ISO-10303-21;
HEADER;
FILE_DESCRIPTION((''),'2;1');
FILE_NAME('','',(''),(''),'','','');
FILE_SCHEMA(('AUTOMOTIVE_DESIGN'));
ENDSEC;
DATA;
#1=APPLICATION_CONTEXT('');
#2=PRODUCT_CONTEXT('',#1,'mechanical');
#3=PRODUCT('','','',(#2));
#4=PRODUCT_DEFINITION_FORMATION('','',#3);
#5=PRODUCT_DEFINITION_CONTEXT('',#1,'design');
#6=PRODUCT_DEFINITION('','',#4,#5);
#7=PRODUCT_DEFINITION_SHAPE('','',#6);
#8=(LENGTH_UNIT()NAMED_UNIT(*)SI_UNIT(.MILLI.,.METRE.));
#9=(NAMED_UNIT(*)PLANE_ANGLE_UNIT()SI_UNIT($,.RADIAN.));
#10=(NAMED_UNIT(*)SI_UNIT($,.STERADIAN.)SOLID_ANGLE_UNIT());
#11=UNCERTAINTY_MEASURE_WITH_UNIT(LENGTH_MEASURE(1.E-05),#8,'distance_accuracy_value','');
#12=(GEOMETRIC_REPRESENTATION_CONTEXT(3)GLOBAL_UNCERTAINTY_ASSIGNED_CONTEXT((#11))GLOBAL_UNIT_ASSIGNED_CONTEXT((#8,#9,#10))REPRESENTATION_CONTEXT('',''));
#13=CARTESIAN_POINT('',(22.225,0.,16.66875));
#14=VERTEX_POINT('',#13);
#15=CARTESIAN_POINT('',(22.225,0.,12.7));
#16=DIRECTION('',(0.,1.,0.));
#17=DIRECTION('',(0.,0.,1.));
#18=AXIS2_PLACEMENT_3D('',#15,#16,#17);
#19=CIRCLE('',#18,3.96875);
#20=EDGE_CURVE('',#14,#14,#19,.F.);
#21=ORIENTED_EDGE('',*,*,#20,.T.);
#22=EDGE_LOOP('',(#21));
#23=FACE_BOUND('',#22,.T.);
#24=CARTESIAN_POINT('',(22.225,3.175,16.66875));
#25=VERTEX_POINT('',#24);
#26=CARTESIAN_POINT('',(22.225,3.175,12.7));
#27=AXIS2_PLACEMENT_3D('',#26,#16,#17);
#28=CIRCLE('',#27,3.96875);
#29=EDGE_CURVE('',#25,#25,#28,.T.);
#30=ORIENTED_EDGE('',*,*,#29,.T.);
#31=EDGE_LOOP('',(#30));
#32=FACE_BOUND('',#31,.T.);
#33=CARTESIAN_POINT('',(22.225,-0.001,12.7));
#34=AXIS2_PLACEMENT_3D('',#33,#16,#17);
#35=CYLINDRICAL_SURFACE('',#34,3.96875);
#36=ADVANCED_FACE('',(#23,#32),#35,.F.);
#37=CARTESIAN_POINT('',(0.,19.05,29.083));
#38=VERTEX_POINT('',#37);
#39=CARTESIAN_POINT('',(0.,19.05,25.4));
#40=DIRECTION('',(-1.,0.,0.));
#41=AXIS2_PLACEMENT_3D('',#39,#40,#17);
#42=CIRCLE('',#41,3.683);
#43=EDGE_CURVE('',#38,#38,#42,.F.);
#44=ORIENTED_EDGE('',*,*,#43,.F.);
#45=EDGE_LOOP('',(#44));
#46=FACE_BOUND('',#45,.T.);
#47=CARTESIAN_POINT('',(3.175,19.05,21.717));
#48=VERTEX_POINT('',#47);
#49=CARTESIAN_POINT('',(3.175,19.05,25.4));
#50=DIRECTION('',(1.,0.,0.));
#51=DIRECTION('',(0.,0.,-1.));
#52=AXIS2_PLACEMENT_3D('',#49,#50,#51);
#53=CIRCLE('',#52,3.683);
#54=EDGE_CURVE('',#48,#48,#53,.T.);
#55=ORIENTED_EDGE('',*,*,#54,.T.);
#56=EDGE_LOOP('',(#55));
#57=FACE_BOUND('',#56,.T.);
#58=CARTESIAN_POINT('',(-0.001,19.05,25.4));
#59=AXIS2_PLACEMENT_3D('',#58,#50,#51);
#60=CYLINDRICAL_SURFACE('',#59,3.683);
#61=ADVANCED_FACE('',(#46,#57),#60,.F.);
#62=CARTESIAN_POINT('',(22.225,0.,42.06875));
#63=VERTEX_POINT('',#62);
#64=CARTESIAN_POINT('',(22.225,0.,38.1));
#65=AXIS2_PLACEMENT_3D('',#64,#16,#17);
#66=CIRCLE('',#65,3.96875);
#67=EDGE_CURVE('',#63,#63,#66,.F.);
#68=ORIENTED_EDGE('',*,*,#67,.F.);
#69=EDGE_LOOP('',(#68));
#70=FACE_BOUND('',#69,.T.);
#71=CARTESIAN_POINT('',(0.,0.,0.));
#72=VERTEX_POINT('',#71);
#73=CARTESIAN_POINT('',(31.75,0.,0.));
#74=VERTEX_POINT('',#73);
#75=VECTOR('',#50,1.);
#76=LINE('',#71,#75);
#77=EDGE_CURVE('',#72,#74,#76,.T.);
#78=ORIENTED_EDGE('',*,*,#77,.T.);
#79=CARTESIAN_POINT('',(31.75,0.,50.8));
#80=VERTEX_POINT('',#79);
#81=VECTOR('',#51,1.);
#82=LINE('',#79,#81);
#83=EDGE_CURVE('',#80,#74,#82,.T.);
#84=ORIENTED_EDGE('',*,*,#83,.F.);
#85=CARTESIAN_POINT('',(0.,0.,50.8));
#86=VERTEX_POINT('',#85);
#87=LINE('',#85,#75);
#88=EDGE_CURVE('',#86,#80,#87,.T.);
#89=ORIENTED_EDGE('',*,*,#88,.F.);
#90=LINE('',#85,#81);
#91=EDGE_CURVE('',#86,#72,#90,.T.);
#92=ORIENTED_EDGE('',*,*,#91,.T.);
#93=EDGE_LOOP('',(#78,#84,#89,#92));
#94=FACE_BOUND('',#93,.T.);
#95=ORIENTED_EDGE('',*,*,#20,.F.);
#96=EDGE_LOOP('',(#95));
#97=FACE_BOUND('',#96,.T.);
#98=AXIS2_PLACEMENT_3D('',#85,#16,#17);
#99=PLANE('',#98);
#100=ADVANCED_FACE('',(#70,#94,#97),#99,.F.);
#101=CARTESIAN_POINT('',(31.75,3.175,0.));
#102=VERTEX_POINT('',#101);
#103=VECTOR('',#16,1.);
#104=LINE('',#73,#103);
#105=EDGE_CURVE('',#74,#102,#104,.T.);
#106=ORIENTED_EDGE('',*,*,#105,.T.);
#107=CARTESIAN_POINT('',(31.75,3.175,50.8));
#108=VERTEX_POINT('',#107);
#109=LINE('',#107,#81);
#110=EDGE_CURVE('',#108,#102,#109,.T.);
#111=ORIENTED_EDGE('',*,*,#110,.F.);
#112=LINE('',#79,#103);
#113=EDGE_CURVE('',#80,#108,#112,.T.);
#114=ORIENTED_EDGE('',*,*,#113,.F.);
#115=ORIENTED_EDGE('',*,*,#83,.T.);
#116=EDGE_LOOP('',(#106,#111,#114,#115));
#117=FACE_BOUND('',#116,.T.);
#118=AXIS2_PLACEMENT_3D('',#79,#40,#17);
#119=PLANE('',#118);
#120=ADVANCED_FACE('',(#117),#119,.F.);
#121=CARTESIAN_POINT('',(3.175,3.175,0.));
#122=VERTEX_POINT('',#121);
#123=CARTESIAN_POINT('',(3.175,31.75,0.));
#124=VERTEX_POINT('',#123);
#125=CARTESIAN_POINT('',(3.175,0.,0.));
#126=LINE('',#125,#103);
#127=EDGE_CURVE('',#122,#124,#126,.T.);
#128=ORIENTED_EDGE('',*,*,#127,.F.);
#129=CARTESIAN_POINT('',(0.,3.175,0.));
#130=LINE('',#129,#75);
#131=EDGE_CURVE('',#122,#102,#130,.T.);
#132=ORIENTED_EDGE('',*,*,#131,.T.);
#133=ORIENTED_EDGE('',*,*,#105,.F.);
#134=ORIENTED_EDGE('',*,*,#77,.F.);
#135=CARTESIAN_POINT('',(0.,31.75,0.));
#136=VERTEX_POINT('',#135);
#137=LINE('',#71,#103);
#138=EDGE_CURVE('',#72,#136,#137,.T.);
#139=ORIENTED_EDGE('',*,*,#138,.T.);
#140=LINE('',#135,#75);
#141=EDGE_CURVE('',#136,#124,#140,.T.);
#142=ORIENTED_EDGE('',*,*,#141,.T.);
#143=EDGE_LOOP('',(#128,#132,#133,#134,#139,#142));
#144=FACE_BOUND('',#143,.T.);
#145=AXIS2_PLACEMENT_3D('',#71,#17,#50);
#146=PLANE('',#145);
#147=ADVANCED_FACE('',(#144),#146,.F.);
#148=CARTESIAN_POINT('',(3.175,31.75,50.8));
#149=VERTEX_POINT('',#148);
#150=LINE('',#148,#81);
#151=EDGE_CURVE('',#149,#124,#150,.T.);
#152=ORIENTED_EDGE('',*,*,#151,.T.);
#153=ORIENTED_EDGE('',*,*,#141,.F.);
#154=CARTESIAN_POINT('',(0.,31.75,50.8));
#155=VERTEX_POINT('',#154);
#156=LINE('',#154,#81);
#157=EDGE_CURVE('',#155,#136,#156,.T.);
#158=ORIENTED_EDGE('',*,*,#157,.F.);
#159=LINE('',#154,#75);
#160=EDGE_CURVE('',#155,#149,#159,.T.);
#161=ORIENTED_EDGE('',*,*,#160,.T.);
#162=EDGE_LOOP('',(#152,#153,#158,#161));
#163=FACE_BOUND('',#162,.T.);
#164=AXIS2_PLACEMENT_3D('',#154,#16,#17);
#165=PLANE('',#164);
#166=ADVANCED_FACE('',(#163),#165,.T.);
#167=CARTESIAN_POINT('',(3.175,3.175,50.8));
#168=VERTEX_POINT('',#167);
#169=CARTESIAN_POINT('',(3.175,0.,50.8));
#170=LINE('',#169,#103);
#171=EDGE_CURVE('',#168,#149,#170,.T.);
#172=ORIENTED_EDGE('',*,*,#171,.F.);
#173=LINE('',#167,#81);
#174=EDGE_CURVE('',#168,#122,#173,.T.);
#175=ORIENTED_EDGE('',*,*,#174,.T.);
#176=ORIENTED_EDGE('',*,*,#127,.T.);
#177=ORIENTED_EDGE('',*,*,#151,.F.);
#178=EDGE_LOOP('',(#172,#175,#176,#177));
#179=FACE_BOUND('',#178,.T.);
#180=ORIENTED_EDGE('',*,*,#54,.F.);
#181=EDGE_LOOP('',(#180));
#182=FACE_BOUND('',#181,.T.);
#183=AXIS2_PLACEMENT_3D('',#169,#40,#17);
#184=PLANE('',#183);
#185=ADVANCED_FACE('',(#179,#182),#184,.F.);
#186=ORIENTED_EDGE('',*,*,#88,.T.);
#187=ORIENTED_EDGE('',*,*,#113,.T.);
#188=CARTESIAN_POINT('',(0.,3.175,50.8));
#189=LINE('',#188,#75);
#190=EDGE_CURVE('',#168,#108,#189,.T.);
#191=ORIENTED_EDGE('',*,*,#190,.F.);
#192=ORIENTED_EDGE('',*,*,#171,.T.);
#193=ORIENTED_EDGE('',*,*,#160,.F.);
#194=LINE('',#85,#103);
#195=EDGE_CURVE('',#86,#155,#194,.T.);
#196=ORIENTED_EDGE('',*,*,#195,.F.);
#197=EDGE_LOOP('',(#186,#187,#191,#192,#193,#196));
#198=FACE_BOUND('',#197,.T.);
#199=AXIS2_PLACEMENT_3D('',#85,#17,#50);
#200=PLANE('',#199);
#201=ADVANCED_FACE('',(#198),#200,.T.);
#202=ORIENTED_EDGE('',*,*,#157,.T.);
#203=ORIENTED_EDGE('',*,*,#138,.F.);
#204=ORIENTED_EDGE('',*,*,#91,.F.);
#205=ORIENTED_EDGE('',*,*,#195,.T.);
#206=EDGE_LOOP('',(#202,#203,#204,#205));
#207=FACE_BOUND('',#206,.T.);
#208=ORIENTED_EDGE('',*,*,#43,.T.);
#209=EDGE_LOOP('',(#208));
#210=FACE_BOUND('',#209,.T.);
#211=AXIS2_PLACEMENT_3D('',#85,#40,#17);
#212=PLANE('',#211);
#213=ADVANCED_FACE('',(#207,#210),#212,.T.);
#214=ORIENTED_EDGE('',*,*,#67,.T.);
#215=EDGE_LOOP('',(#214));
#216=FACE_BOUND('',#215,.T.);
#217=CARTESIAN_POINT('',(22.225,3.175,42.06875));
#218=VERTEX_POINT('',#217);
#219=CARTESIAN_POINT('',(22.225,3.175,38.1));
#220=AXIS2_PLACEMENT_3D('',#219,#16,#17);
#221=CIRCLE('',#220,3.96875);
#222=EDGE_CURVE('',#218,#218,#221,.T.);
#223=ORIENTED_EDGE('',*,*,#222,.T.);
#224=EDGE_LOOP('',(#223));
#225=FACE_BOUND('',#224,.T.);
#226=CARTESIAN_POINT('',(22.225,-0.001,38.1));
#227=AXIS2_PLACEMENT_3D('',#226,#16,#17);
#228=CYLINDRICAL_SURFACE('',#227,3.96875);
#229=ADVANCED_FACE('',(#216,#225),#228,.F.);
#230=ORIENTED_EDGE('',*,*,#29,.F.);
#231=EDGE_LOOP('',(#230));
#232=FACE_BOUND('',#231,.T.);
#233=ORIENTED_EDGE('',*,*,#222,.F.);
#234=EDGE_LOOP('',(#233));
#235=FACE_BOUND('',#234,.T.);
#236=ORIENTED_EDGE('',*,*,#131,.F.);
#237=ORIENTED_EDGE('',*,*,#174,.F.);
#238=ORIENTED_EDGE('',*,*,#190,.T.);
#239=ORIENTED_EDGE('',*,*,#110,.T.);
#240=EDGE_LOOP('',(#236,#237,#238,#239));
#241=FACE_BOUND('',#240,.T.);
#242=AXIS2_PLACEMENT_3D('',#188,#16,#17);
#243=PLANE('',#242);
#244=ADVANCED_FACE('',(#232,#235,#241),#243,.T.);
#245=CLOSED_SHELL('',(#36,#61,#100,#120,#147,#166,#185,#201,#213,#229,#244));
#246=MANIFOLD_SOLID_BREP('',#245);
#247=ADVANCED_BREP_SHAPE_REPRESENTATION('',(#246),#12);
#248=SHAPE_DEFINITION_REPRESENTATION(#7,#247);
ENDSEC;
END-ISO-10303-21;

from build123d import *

# Parameters (mm, degrees)
SKETCH1_W           = 3.175
SKETCH1_H           = 31.75
SKETCH1_W_2         = 28.575
SKETCH1_H_2         = 3.175
BOSS_EXTRUDE1_DEPTH = 50.8
POT_MOUNT_REACH     = 5.175
SKETCH2_R           = 3.683
BASE_MOUNT_REACH    = 5.175
SKETCH3_R           = 3.96875


with BuildPart() as part:
    # Sketch1 → Boss-Extrude1 (new body)
    with BuildSketch(Plane.XY):
        with Locations((1.5875, 15.875)):
            Rectangle(SKETCH1_W, SKETCH1_H)
        with Locations((17.4625, 1.5875)):
            Rectangle(SKETCH1_W_2, SKETCH1_H_2)
    extrude(amount=BOSS_EXTRUDE1_DEPTH)

    # Sketch2 → Pot Mount (cut, up to next)
    with BuildSketch(Plane(origin=(3.175, 0, 0), x_dir=(0, 0, -1), z_dir=(1, 0, 0)), mode=Mode.PRIVATE) as pot_mount_sk1:
        with Locations((-25.4, 19.05)):
            Circle(SKETCH2_R)
    pot_mount_tool1 = extrude(pot_mount_sk1.sketch, amount=-POT_MOUNT_REACH, mode=Mode.PRIVATE) & part.part
    add(pot_mount_tool1.solids().sort_by_distance((3.175, 19.05, 25.4))[0], mode=Mode.SUBTRACT)

    # Sketch3 → Base Mount (cut, up to next)
    with BuildSketch(Plane(origin=(0, 3.175, 0), x_dir=(1, 0, 0), z_dir=(0, 1, 0)), mode=Mode.PRIVATE) as base_mount_sk1:
        with Locations((22.225, -38.1)):
            Circle(SKETCH3_R)
    base_mount_tool1 = extrude(base_mount_sk1.sketch, amount=-BASE_MOUNT_REACH, mode=Mode.PRIVATE) & part.part
    add(base_mount_tool1.solids().sort_by_distance((22.225, 3.175, 38.1))[0], mode=Mode.SUBTRACT)
    # Sketch3 → Base Mount (cut, up to next)
    with BuildSketch(Plane(origin=(0, 3.175, 0), x_dir=(1, 0, 0), z_dir=(0, 1, 0)), mode=Mode.PRIVATE) as base_mount_sk2:
        with Locations((22.225, -12.7)):
            Circle(SKETCH3_R)
    base_mount_tool2 = extrude(base_mount_sk2.sketch, amount=-BASE_MOUNT_REACH, mode=Mode.PRIVATE) & part.part
    add(base_mount_tool2.solids().sort_by_distance((22.225, 3.175, 12.7))[0], mode=Mode.SUBTRACT)


solid = part.part
